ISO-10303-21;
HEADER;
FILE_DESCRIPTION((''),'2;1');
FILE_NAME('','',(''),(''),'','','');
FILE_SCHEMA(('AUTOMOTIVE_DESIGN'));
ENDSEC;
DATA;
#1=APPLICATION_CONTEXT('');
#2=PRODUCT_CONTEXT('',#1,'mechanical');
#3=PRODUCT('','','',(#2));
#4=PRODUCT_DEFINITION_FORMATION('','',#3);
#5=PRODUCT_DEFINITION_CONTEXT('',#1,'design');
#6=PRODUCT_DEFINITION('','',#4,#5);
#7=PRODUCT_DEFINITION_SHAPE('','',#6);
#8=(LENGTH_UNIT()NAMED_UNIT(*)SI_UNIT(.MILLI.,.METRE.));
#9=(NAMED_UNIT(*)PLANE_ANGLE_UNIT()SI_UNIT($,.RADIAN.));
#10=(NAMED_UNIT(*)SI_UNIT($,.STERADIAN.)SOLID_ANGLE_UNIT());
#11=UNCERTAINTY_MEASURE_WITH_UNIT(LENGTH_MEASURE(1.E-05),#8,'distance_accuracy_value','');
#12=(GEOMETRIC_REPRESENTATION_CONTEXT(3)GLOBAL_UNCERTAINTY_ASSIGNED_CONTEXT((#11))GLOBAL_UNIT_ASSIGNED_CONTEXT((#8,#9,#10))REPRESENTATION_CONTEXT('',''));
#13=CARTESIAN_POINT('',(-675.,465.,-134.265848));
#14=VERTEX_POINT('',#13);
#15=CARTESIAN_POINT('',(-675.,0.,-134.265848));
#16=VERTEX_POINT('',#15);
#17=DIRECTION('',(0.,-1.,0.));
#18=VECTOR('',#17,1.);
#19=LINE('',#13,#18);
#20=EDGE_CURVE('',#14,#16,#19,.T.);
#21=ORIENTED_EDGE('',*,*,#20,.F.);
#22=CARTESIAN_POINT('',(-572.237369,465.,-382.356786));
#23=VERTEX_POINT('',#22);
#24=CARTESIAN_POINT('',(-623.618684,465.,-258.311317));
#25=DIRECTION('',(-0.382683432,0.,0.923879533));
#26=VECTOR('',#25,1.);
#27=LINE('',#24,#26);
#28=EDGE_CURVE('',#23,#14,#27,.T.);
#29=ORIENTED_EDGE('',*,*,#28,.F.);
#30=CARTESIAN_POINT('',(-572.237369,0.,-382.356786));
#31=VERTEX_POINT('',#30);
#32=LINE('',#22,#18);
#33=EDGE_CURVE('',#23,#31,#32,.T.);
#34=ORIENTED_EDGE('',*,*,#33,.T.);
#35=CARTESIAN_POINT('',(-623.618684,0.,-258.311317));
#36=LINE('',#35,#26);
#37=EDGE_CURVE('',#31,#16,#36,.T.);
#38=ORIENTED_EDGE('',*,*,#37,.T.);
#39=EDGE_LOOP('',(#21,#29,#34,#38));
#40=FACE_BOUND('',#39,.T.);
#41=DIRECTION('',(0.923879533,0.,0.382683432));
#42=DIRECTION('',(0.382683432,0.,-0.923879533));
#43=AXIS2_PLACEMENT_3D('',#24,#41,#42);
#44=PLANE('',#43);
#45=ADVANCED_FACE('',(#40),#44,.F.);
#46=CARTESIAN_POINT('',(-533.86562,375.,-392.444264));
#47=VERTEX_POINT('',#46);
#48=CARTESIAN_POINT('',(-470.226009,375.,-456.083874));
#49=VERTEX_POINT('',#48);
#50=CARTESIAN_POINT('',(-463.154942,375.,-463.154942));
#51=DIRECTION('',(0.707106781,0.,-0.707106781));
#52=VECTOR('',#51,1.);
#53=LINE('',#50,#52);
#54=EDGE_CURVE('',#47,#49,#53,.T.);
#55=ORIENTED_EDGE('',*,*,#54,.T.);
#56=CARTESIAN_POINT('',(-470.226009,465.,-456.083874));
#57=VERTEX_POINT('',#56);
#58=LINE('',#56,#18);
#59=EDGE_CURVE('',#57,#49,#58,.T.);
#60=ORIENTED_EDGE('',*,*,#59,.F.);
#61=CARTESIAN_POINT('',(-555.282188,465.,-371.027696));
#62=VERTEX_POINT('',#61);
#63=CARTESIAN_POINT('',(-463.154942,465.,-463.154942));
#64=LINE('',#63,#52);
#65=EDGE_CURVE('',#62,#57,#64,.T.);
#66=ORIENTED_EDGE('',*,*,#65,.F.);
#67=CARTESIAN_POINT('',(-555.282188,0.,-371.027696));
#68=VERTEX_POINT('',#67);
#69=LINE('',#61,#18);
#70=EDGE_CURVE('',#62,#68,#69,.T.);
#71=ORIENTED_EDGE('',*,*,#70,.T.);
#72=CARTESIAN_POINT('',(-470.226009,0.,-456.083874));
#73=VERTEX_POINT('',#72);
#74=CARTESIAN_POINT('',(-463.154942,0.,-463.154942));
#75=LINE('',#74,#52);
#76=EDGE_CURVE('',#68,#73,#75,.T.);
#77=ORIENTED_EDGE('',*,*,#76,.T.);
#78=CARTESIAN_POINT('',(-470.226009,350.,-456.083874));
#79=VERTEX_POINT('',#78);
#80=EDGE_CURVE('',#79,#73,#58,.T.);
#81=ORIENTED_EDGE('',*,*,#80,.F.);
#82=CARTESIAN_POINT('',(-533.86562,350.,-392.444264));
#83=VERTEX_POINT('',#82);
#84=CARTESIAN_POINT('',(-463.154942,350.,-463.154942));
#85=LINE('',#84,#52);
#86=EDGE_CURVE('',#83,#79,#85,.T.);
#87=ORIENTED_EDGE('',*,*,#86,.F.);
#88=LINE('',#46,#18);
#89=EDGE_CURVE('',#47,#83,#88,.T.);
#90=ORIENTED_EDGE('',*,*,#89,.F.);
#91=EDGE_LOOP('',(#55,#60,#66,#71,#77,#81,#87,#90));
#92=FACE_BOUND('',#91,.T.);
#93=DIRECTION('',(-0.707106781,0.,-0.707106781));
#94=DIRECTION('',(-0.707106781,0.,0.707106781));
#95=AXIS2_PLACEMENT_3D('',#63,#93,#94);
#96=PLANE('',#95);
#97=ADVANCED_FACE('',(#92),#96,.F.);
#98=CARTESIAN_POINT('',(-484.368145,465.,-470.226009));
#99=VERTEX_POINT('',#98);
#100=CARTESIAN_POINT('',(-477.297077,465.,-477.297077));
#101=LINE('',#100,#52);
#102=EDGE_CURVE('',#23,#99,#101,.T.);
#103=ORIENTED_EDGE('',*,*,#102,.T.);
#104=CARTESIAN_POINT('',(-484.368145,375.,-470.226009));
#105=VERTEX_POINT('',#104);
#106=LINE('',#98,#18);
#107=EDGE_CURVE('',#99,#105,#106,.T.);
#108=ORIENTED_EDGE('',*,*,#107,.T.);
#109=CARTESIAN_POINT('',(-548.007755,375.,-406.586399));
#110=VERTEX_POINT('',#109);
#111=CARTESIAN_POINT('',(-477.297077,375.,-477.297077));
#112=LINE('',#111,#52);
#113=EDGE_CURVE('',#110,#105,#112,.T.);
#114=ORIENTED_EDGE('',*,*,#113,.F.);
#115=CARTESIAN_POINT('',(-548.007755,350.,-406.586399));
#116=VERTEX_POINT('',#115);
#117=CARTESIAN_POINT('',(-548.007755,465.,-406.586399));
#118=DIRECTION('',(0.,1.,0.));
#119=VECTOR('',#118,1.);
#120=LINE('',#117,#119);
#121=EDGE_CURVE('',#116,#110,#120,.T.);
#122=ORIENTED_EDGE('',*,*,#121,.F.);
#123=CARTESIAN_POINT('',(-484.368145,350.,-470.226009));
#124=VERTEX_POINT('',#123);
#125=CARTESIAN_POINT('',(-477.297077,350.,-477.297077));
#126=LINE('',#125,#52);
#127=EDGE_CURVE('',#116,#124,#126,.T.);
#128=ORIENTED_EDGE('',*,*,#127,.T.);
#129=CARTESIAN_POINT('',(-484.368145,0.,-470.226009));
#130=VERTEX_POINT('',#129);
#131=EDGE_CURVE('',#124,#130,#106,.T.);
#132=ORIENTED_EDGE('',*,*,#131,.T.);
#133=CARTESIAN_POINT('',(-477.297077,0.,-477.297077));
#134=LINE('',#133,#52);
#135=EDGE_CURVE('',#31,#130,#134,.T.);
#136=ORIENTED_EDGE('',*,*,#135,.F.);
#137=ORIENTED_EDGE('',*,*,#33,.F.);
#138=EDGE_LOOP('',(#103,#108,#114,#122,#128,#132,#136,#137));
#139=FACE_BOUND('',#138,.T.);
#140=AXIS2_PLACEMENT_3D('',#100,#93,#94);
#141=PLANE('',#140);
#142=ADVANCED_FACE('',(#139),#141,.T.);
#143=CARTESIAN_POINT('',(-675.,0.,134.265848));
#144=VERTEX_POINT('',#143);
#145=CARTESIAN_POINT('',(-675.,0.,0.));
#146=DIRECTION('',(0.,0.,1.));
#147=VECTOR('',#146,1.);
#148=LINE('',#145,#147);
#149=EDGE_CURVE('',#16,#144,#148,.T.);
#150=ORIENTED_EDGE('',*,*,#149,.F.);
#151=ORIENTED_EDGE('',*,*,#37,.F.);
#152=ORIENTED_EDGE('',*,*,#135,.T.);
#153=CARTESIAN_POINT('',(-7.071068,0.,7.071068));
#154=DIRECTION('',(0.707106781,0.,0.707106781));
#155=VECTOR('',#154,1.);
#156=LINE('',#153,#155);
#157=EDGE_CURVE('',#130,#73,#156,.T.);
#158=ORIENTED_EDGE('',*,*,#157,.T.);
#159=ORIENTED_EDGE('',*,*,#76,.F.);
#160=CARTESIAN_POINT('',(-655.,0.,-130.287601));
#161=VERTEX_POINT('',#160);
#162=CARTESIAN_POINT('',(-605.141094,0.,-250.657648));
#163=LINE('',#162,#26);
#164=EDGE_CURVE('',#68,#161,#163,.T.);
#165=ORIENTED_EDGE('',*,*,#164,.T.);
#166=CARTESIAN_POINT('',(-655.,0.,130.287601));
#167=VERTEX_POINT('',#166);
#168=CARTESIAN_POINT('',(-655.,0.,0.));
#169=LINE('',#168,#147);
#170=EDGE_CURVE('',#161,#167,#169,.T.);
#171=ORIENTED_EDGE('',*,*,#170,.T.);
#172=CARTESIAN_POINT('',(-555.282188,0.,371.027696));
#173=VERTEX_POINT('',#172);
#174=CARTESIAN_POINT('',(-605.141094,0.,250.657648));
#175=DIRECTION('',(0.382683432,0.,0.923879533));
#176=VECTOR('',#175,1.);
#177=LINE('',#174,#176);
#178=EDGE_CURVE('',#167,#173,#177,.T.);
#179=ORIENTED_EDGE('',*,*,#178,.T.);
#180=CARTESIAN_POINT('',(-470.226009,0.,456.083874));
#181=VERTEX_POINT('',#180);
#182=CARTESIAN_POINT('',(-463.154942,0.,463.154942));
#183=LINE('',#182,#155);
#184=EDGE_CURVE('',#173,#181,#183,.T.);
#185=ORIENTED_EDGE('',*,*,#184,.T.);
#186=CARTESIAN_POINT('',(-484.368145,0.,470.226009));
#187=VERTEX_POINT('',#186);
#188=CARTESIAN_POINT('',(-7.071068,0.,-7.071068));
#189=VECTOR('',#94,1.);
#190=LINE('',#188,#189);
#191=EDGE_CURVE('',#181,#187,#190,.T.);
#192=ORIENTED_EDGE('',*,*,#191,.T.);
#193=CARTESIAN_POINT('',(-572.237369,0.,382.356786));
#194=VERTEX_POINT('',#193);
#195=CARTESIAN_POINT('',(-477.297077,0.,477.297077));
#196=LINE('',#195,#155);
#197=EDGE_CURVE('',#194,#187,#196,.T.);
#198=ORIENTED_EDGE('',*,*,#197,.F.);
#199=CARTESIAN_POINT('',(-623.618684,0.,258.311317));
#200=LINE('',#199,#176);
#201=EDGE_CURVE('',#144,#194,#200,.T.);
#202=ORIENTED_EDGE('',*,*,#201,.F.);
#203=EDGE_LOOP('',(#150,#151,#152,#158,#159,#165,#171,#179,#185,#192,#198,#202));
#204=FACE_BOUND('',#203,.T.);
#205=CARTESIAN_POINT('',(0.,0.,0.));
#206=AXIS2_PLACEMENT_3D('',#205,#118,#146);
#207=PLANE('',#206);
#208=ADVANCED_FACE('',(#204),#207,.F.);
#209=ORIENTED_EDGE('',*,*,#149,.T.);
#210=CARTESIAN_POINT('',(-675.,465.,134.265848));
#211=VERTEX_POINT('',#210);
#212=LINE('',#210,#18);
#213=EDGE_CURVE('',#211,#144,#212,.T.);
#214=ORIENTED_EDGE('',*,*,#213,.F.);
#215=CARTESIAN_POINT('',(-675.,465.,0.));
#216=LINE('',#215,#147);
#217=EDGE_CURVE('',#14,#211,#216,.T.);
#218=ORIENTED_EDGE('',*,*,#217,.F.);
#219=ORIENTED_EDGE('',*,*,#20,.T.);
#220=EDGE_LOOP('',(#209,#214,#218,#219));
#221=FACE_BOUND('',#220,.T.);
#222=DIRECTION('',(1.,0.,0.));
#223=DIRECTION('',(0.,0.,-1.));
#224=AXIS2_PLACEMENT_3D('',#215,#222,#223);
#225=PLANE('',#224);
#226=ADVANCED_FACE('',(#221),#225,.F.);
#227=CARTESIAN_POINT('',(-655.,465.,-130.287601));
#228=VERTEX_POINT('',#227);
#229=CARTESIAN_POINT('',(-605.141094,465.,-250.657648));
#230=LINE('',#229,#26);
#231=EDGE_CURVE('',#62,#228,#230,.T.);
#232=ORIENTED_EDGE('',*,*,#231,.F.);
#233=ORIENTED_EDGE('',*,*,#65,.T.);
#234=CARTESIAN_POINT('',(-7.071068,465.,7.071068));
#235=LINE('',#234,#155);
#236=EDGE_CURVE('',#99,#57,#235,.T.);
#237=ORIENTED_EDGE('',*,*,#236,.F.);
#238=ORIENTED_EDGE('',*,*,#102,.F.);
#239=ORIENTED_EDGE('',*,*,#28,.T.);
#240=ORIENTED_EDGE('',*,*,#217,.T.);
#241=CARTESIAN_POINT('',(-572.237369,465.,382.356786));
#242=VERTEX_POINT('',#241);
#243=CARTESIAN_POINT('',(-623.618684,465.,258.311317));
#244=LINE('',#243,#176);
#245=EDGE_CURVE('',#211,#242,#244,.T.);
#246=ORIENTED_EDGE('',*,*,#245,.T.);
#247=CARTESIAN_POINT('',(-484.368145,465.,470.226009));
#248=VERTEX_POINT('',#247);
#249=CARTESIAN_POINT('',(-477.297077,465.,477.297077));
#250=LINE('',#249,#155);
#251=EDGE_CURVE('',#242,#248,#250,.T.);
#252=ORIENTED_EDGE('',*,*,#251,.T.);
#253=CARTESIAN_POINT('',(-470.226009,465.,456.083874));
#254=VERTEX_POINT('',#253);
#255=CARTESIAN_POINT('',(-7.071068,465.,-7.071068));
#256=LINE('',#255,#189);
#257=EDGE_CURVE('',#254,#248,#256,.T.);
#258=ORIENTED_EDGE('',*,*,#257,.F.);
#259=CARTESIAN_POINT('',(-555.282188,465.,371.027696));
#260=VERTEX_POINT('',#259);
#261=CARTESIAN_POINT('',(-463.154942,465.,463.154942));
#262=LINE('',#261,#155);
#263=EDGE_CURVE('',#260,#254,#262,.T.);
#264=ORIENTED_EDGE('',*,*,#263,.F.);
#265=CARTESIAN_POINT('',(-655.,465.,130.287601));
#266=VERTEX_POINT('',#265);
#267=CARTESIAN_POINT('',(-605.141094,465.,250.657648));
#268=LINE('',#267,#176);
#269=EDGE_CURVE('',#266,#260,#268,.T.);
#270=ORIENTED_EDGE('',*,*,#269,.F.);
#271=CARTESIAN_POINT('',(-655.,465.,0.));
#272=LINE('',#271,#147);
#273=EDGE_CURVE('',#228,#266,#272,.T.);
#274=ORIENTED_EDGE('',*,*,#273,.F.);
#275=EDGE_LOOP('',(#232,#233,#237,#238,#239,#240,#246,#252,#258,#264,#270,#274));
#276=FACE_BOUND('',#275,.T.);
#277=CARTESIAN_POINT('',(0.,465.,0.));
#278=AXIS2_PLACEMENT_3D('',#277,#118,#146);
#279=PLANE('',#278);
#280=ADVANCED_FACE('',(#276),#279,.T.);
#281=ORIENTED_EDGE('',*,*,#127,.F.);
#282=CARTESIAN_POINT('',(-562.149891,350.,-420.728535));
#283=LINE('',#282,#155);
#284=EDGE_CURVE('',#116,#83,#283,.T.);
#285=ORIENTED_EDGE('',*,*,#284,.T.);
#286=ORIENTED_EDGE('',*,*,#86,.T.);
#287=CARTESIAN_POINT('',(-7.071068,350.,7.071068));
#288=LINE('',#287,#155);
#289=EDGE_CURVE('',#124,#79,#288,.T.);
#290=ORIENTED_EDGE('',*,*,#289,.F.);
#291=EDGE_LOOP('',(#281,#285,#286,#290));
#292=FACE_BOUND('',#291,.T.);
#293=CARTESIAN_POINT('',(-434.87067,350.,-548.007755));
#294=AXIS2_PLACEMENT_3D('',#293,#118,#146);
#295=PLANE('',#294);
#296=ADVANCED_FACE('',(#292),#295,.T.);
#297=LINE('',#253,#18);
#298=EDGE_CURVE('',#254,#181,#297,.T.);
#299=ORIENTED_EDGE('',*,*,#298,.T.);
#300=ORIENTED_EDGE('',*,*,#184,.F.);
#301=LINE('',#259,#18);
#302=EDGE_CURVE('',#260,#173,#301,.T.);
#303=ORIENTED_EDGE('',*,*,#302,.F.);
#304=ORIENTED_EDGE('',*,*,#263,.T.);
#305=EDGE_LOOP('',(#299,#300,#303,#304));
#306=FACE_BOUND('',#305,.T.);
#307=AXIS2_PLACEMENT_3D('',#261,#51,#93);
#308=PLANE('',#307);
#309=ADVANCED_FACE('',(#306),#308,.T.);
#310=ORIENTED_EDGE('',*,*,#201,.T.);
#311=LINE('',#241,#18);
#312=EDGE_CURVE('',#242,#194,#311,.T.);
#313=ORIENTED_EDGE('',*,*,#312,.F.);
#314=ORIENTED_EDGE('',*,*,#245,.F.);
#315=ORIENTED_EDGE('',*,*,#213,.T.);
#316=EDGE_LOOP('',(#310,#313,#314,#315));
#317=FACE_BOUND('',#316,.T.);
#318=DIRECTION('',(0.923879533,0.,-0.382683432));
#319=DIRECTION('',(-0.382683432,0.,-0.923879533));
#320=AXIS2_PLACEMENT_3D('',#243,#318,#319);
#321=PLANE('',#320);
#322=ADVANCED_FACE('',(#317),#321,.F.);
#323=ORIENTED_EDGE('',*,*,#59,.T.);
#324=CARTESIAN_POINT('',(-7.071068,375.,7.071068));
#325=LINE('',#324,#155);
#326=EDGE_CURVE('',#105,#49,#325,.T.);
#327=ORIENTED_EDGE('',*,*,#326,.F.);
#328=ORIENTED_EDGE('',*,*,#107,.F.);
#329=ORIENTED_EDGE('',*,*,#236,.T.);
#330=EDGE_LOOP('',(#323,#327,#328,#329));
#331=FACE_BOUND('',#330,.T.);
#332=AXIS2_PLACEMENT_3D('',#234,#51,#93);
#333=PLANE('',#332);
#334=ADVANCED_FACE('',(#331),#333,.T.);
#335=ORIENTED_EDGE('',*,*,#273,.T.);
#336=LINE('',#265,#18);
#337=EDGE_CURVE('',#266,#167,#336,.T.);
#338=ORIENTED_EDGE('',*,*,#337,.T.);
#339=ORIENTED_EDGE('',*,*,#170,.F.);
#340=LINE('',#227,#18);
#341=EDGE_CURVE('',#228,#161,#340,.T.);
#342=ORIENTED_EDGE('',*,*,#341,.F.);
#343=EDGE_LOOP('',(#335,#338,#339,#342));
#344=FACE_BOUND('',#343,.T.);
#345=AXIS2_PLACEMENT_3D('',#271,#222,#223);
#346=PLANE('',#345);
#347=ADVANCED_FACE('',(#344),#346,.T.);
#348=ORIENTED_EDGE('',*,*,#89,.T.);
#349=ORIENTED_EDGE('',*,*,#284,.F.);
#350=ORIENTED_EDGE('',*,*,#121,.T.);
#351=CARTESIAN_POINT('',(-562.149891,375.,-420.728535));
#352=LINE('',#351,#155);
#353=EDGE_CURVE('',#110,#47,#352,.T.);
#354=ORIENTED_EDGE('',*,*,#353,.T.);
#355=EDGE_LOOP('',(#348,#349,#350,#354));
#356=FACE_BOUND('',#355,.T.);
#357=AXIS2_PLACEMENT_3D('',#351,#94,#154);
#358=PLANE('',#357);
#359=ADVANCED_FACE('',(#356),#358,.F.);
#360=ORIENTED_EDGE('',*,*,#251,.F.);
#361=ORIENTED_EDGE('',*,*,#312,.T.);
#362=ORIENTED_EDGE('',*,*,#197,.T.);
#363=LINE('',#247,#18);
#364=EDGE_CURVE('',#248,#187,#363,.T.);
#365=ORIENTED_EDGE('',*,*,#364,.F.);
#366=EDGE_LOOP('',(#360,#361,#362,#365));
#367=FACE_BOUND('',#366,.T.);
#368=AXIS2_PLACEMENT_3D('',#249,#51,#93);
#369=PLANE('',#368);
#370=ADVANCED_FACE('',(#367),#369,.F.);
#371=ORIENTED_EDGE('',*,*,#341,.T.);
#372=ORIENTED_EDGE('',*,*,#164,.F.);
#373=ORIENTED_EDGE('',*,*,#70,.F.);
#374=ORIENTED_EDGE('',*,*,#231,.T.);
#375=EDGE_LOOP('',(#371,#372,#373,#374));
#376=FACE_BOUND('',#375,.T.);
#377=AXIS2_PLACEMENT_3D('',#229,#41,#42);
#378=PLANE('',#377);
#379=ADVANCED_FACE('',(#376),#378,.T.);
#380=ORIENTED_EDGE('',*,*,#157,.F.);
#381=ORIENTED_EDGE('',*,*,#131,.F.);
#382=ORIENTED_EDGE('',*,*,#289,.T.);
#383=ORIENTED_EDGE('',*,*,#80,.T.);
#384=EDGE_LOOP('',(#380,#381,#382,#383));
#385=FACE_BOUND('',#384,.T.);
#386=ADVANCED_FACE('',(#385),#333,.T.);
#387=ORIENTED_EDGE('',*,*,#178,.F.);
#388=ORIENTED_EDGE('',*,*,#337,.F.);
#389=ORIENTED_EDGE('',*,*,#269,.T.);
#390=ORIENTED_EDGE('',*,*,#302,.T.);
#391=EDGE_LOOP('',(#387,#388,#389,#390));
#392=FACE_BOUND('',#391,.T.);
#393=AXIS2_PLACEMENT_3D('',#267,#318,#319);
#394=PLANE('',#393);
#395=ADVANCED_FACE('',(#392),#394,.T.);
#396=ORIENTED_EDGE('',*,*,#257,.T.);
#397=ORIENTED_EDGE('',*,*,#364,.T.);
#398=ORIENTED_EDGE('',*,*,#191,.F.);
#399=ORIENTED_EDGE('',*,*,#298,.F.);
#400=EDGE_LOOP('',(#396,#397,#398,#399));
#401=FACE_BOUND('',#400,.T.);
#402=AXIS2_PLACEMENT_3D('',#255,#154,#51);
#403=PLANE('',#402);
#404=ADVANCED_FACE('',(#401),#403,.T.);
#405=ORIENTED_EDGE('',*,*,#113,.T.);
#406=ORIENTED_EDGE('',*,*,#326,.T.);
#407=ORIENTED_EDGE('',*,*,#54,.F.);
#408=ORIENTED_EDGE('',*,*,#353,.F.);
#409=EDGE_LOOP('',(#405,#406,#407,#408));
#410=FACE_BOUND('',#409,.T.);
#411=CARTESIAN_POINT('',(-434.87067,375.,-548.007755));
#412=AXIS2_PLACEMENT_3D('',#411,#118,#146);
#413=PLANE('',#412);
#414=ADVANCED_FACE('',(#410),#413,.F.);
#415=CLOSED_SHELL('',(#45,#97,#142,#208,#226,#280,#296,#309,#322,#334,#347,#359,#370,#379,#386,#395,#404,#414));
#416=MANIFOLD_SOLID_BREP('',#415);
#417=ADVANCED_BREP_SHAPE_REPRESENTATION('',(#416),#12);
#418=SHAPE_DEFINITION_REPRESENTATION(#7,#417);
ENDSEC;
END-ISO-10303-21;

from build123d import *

# Parameters (mm, degrees)
BOSS_EXTRUDE1_DEPTH = 465
SKETCH3_W           = 180
SKETCH3_H           = 25
CUT_EXTRUDE1_DEPTH  = 40


with BuildPart() as part:
    # Sketch2 → Boss-Extrude1 (new body)
    with BuildSketch(Plane(origin=(0, 0, 0), x_dir=(1, 0, 0), z_dir=(0, 1, 0))):
        Polygon((-470.226009489, -456.083873865), (-555.28218759, -371.027695765), (-655, -130.287600634), (-655, 130.287600634), (-555.28218759, 371.027695765), (-470.226009489, 456.083873865), (-484.368145113, 470.226009489), (-572.23736889, 382.356785712), (-675, 134.265847981), (-675, -134.265847981), (-572.23736889, -382.356785712), (-484.368145113, -470.226009489), align=None)
    extrude(amount=BOSS_EXTRUDE1_DEPTH)

    # Sketch3 → Cut-Extrude1 (cut)
    with BuildSketch(Plane(origin=(-463.154941677, 0, -463.154941677), x_dir=(0.707106781, 0, -0.707106781), z_dir=(0.707106781, 0, 0.707106781))):
        with Locations((-10, 362.5)):
            Rectangle(SKETCH3_W, SKETCH3_H)
    extrude(amount=-CUT_EXTRUDE1_DEPTH, mode=Mode.SUBTRACT)


solid = part.part
